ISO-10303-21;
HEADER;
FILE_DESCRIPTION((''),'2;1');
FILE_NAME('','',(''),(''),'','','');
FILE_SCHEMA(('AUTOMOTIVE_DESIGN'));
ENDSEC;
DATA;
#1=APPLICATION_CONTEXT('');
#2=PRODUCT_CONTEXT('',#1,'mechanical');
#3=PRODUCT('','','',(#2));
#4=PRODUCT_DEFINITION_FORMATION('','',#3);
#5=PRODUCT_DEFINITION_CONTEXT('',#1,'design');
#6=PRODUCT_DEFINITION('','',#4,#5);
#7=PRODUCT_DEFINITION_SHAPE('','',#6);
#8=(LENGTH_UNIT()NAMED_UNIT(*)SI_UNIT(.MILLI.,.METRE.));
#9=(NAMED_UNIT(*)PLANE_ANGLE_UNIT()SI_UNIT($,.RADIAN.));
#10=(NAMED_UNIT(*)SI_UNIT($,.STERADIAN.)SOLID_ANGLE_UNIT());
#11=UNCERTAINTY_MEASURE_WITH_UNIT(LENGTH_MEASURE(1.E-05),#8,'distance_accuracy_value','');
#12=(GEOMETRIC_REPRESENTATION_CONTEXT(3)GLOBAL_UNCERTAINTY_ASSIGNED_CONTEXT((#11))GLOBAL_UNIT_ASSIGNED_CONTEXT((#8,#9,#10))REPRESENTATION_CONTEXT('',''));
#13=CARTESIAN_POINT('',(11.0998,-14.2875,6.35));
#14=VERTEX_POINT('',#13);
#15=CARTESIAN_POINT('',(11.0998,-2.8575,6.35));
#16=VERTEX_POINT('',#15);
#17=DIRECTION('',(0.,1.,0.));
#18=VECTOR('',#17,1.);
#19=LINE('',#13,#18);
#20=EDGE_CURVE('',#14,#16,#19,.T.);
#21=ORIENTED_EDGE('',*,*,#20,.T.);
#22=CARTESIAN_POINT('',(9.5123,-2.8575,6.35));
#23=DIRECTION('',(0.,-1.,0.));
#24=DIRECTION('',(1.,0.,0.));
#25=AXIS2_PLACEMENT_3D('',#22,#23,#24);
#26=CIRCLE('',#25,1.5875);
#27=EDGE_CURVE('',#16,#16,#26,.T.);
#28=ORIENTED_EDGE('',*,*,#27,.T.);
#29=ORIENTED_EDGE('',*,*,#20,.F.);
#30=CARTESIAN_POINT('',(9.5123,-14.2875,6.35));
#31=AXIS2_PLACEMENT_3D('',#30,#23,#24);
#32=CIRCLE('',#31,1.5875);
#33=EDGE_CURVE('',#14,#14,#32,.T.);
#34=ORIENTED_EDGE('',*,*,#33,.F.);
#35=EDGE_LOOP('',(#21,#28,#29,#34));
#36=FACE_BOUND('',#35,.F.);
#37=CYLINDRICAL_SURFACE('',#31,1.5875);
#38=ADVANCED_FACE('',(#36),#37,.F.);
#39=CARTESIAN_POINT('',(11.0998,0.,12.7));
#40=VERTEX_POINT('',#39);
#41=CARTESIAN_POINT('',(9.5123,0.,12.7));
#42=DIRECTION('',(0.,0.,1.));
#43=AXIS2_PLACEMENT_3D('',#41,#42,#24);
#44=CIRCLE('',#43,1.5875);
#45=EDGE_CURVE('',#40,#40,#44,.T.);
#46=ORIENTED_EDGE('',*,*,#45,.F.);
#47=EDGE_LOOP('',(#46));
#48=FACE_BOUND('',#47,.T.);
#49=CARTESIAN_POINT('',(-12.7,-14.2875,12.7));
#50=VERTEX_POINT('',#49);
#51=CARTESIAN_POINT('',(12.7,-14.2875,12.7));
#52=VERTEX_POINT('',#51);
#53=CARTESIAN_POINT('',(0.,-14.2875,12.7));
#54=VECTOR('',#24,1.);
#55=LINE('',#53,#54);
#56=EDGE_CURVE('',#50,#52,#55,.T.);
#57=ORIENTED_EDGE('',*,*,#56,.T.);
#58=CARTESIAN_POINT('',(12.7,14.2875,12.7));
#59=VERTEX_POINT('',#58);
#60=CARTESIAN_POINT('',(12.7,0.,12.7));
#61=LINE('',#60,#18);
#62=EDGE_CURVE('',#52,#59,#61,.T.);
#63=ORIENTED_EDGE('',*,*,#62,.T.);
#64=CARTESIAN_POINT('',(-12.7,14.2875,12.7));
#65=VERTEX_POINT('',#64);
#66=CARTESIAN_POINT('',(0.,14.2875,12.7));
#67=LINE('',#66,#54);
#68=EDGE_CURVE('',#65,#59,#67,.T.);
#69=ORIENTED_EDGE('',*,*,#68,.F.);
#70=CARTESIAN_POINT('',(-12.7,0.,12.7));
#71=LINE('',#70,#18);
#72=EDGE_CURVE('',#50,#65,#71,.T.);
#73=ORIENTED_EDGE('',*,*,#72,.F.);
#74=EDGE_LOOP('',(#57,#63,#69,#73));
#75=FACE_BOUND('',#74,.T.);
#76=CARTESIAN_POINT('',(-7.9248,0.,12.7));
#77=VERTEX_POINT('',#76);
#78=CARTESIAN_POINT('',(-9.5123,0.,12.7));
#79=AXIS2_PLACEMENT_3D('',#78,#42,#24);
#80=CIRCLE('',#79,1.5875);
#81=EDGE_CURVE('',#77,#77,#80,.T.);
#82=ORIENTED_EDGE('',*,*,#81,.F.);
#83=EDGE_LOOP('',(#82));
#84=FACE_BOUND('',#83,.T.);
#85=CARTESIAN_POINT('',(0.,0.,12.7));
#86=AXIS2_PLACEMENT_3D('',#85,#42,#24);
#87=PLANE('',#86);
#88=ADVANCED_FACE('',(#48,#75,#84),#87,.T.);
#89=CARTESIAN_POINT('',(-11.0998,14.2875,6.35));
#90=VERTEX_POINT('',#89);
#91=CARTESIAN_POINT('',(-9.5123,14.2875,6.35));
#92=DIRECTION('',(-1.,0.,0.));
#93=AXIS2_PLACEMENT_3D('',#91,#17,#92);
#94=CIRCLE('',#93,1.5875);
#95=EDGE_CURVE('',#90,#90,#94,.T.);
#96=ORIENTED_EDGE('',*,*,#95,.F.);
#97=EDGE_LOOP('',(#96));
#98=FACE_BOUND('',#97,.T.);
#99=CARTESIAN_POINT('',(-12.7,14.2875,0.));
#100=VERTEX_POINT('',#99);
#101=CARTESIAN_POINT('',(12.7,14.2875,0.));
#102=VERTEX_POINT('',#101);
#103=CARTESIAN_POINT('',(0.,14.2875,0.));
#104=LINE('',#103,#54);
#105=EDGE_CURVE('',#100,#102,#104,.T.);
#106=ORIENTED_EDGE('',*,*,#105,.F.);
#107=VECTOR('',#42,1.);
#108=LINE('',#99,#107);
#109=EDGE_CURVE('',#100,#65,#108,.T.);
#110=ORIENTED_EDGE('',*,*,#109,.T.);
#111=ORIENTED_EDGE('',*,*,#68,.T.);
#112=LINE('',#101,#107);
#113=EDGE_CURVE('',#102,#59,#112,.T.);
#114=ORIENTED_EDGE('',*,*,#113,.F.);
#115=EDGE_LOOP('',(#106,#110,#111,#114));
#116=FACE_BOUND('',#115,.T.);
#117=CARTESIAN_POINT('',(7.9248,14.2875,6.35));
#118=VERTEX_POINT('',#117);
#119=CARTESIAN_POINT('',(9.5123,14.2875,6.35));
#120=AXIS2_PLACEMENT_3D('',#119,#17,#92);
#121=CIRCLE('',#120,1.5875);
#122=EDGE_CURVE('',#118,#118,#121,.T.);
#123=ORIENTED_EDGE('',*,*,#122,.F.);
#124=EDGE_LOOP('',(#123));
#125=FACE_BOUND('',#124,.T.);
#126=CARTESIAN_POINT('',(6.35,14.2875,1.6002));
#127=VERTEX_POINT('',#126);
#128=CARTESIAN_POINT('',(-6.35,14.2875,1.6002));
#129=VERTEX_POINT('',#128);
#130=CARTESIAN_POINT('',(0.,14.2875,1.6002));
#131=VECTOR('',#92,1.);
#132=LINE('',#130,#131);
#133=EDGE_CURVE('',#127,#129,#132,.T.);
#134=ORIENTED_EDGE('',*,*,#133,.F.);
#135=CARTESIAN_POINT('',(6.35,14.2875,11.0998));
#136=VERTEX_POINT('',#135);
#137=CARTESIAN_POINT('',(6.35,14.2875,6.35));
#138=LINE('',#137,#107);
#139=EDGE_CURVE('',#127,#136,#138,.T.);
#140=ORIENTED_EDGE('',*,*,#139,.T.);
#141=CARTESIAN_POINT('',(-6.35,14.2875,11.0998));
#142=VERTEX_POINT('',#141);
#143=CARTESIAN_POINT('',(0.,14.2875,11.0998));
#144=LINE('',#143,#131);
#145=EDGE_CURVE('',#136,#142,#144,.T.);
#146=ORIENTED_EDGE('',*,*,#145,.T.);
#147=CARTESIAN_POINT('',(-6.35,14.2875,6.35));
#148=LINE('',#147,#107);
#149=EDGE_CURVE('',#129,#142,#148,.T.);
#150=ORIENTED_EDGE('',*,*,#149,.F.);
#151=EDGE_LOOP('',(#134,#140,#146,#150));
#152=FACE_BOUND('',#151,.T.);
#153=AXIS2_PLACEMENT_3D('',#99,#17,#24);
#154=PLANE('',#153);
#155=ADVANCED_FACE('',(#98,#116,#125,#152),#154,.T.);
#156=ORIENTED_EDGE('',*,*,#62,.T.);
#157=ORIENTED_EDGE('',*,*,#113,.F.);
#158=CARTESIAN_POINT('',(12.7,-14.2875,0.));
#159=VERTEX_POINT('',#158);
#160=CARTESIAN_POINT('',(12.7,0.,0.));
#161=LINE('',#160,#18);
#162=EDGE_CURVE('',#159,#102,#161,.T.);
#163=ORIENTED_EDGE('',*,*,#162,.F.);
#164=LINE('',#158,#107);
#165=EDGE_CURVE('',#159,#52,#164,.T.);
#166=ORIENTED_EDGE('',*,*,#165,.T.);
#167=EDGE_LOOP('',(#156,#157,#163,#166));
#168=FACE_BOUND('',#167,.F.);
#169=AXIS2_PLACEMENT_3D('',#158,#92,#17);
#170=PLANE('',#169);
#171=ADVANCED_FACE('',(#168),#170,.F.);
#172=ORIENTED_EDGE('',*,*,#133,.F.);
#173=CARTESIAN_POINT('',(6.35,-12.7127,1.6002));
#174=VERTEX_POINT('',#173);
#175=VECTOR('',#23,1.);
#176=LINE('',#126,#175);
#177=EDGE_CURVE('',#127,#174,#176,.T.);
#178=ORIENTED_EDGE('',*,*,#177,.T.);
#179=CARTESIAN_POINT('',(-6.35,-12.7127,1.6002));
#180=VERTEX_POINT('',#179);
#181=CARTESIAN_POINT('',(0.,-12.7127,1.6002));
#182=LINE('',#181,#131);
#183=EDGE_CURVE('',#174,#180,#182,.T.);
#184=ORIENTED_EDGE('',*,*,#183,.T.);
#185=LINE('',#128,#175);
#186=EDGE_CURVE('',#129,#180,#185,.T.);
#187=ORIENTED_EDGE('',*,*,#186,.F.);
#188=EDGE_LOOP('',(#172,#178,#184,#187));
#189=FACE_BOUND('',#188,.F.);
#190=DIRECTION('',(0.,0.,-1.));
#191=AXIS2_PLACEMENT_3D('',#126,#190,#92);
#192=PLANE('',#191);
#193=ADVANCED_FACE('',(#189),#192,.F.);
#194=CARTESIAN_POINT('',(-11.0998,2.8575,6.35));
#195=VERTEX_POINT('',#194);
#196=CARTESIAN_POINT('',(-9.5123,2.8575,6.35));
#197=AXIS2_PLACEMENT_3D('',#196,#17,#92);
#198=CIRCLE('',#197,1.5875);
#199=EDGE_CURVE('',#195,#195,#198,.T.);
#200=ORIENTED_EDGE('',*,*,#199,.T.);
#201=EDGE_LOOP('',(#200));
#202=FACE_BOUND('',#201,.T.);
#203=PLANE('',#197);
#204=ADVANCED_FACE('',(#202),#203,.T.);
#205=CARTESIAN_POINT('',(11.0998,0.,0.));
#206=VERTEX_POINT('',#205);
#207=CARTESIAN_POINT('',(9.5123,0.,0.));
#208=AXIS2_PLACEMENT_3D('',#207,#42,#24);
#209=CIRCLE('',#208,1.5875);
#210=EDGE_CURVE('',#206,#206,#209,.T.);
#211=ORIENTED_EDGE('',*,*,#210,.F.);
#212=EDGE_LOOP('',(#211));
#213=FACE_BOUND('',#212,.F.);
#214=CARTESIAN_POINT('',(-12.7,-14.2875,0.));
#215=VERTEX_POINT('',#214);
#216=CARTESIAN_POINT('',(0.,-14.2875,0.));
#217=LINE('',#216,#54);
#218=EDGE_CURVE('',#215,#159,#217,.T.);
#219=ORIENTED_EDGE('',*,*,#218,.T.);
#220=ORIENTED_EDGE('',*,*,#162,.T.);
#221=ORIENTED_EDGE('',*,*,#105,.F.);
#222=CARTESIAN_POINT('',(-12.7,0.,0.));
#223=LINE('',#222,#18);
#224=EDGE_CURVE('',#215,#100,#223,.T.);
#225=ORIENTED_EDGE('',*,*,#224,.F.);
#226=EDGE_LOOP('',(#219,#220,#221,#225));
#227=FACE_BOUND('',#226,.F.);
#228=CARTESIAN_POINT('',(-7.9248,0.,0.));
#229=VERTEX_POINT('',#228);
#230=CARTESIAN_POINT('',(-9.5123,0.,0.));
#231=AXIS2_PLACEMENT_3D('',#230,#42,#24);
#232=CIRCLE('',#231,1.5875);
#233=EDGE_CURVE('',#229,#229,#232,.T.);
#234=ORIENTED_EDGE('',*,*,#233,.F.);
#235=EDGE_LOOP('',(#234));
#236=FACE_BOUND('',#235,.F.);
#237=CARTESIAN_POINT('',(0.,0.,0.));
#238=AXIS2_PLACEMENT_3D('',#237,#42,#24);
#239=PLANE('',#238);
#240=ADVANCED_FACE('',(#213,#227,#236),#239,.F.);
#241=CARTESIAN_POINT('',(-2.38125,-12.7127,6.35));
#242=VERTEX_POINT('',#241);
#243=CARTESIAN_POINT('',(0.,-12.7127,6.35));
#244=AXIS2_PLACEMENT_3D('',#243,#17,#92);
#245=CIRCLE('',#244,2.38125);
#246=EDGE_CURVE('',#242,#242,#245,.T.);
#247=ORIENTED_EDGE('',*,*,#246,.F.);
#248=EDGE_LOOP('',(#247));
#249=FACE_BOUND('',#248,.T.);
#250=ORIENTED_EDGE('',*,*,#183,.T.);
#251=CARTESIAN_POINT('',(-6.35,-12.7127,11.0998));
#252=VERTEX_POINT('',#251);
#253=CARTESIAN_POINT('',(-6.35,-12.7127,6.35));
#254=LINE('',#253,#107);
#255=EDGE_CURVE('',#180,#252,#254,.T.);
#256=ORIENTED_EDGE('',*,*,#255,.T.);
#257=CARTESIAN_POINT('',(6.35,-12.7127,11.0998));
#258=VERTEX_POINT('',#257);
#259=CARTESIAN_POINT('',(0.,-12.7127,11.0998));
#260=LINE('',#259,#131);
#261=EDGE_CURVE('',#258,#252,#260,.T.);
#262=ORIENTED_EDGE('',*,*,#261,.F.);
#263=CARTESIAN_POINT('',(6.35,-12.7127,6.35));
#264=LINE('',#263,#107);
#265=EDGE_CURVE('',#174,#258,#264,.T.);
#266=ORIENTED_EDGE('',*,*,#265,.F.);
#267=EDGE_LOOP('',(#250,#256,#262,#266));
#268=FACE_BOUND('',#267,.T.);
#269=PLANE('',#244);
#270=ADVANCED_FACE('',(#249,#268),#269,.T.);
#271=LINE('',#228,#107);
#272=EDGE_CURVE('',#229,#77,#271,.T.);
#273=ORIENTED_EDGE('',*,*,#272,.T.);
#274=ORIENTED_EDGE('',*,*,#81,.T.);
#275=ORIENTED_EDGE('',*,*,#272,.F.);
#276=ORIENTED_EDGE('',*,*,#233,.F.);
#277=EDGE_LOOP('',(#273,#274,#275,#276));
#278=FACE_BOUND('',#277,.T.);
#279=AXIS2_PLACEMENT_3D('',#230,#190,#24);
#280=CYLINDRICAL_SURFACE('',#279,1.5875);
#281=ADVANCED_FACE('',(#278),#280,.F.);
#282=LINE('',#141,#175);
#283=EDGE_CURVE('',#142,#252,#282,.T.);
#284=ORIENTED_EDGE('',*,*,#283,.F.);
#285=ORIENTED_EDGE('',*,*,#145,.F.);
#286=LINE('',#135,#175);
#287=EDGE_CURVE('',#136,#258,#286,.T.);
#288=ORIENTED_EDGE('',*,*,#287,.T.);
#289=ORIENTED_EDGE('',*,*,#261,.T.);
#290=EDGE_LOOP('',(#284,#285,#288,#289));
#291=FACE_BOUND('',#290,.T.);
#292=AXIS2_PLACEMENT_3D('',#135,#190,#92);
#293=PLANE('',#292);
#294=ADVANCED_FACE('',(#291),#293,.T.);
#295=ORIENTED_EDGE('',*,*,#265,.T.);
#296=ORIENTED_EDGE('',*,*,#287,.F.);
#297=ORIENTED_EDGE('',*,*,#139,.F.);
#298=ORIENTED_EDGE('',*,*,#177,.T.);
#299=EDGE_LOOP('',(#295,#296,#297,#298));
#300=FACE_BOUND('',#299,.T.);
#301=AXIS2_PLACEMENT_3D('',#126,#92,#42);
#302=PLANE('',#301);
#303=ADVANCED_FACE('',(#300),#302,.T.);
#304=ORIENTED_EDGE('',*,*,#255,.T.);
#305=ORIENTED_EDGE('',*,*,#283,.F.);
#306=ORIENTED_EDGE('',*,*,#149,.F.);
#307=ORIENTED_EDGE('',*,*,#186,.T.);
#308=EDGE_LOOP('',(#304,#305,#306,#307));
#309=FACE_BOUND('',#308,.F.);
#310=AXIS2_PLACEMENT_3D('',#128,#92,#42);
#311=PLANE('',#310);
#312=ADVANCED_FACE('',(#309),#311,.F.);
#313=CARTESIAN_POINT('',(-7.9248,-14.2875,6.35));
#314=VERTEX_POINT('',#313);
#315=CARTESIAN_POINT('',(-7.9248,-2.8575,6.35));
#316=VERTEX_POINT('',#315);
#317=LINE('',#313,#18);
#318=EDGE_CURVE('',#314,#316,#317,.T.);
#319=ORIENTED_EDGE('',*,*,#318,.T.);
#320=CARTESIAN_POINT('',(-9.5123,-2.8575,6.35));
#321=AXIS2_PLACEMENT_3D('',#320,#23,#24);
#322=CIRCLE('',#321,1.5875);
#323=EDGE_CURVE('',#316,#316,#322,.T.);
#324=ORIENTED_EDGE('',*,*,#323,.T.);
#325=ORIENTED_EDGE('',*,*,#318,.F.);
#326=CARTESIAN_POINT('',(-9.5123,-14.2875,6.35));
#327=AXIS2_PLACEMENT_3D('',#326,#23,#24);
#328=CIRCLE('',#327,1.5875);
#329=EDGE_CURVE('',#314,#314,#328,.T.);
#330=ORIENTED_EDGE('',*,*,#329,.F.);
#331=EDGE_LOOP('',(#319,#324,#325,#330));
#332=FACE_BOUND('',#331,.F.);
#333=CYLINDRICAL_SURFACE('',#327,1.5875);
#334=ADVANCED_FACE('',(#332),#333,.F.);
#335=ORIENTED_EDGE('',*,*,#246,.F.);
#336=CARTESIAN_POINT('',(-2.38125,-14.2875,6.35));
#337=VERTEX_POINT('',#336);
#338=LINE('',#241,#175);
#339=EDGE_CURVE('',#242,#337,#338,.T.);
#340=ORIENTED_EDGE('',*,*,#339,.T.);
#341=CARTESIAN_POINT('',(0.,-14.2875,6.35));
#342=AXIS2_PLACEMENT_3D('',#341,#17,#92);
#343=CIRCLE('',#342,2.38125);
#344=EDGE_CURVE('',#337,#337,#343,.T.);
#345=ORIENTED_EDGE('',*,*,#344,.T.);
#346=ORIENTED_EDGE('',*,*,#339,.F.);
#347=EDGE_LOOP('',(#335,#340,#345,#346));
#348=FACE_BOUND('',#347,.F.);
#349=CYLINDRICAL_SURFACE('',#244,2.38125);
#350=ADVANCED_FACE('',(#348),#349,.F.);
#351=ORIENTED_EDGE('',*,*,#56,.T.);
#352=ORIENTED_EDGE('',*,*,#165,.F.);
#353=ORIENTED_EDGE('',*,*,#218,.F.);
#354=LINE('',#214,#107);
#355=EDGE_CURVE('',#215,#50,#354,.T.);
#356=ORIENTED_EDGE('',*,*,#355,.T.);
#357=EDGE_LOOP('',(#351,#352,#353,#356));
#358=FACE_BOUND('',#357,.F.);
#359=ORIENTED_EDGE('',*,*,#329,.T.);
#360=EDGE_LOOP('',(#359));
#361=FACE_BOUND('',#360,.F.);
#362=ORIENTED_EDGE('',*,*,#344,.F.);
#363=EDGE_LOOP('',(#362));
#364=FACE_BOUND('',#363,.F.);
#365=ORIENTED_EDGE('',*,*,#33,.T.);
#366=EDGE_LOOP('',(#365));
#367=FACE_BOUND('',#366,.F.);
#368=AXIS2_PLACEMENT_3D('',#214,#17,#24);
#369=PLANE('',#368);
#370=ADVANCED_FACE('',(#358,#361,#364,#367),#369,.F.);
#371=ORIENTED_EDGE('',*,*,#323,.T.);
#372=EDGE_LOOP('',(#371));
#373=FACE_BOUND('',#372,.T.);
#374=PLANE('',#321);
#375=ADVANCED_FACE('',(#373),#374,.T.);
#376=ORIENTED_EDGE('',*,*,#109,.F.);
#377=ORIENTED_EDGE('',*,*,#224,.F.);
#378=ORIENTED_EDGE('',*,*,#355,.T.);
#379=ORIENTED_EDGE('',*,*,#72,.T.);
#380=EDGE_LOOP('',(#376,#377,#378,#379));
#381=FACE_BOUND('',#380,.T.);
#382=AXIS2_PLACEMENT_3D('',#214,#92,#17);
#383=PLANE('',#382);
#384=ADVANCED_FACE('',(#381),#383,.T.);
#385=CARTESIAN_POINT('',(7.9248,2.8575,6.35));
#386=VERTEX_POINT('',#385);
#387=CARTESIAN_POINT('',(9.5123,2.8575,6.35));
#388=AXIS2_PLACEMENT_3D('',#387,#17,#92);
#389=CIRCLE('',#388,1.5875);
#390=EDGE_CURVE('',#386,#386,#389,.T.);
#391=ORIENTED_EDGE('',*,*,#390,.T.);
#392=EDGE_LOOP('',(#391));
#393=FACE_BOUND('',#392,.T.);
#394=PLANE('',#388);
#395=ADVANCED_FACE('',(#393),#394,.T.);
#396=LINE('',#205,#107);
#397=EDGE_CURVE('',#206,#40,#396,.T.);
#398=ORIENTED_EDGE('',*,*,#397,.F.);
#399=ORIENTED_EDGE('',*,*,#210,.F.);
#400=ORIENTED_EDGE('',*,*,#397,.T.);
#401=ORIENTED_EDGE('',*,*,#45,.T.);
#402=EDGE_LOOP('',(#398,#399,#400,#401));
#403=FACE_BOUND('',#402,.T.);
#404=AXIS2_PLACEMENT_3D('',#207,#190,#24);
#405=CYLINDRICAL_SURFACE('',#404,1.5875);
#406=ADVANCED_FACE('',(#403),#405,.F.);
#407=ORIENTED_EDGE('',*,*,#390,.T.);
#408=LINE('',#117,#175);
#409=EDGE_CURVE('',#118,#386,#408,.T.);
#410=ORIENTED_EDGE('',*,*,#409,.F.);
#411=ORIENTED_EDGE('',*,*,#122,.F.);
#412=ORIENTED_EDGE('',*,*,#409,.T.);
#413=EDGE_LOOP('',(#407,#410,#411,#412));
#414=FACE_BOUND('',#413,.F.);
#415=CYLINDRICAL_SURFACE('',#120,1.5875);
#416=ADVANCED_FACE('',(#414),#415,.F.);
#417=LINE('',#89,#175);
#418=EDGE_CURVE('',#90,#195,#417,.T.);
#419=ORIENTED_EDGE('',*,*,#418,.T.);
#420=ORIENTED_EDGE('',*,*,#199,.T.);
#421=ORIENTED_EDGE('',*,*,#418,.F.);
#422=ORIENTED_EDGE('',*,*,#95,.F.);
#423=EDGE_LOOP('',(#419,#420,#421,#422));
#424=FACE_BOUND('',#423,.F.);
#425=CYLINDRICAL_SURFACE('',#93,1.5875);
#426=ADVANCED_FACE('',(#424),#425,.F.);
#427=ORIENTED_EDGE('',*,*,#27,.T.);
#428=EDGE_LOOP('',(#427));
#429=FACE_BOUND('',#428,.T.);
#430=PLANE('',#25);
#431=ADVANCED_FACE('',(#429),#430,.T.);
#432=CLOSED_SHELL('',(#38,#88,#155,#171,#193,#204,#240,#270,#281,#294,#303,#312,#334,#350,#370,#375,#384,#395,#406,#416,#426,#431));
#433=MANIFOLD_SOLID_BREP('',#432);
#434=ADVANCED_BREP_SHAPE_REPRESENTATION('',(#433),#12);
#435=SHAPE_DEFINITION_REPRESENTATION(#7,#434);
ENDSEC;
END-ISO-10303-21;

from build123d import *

# Parameters (mm, degrees)
F0_W     = 25.4
F0_H     = 28.575
F0_R     = 1.5875
F1_DEPTH = 12.7
F2_W     = 12.7
F2_H     = 9.4996
F3_DEPTH = 27.0002
F4_R     = 2.38125
F5_DEPTH = 1.5758
F6_R     = 1.5875
F7_DEPTH = 11.43
F8_R     = 1.5875
F9_DEPTH = 11.43


with BuildPart() as f1:
    # F0 (on Top) → F1 (new body)
    with BuildSketch(Plane.XY):
        Rectangle(F0_W, F0_H)
        with Locations((-9.5123, 0)):
            Circle(F0_R, mode=Mode.SUBTRACT)
        with Locations((9.5123, 0)):
            Circle(F0_R, mode=Mode.SUBTRACT)
    extrude(amount=F1_DEPTH)

    # F2 (on face) → F3 (cut)
    with BuildSketch(Plane(origin=(0, 14.2875, 0), x_dir=(-1, 0, 0), z_dir=(0, 1, 0))):
        with Locations((0, 6.35)):
            Rectangle(F2_W, F2_H)
    extrude(amount=-F3_DEPTH, mode=Mode.SUBTRACT)

    # F4 (on face) → F5 (cut, through all)
    with BuildSketch(Plane(origin=(0, -12.7127, 0), x_dir=(-1, 0, 0), z_dir=(0, 1, 0))):
        with Locations((0, 6.35)):
            Circle(F4_R)
    extrude(amount=-F5_DEPTH, mode=Mode.SUBTRACT)

    # F6 (on face) → F7 (cut)
    with BuildSketch(Plane.XZ.offset(14.2875)):
        with Locations((-9.5123, 6.35)):
            Circle(F6_R)
        with Locations((9.5123, 6.35)):
            Circle(F6_R)
    extrude(amount=-F7_DEPTH, mode=Mode.SUBTRACT)

    # F8 (on face) → F9 (cut)
    with BuildSketch(Plane(origin=(0, 14.2875, 0), x_dir=(-1, 0, 0), z_dir=(0, 1, 0))):
        with Locations((-9.5123, 6.35)):
            Circle(F8_R)
        with Locations((9.5123, 6.35)):
            Circle(F8_R)
    extrude(amount=-F9_DEPTH, mode=Mode.SUBTRACT)


solid = f1.part
